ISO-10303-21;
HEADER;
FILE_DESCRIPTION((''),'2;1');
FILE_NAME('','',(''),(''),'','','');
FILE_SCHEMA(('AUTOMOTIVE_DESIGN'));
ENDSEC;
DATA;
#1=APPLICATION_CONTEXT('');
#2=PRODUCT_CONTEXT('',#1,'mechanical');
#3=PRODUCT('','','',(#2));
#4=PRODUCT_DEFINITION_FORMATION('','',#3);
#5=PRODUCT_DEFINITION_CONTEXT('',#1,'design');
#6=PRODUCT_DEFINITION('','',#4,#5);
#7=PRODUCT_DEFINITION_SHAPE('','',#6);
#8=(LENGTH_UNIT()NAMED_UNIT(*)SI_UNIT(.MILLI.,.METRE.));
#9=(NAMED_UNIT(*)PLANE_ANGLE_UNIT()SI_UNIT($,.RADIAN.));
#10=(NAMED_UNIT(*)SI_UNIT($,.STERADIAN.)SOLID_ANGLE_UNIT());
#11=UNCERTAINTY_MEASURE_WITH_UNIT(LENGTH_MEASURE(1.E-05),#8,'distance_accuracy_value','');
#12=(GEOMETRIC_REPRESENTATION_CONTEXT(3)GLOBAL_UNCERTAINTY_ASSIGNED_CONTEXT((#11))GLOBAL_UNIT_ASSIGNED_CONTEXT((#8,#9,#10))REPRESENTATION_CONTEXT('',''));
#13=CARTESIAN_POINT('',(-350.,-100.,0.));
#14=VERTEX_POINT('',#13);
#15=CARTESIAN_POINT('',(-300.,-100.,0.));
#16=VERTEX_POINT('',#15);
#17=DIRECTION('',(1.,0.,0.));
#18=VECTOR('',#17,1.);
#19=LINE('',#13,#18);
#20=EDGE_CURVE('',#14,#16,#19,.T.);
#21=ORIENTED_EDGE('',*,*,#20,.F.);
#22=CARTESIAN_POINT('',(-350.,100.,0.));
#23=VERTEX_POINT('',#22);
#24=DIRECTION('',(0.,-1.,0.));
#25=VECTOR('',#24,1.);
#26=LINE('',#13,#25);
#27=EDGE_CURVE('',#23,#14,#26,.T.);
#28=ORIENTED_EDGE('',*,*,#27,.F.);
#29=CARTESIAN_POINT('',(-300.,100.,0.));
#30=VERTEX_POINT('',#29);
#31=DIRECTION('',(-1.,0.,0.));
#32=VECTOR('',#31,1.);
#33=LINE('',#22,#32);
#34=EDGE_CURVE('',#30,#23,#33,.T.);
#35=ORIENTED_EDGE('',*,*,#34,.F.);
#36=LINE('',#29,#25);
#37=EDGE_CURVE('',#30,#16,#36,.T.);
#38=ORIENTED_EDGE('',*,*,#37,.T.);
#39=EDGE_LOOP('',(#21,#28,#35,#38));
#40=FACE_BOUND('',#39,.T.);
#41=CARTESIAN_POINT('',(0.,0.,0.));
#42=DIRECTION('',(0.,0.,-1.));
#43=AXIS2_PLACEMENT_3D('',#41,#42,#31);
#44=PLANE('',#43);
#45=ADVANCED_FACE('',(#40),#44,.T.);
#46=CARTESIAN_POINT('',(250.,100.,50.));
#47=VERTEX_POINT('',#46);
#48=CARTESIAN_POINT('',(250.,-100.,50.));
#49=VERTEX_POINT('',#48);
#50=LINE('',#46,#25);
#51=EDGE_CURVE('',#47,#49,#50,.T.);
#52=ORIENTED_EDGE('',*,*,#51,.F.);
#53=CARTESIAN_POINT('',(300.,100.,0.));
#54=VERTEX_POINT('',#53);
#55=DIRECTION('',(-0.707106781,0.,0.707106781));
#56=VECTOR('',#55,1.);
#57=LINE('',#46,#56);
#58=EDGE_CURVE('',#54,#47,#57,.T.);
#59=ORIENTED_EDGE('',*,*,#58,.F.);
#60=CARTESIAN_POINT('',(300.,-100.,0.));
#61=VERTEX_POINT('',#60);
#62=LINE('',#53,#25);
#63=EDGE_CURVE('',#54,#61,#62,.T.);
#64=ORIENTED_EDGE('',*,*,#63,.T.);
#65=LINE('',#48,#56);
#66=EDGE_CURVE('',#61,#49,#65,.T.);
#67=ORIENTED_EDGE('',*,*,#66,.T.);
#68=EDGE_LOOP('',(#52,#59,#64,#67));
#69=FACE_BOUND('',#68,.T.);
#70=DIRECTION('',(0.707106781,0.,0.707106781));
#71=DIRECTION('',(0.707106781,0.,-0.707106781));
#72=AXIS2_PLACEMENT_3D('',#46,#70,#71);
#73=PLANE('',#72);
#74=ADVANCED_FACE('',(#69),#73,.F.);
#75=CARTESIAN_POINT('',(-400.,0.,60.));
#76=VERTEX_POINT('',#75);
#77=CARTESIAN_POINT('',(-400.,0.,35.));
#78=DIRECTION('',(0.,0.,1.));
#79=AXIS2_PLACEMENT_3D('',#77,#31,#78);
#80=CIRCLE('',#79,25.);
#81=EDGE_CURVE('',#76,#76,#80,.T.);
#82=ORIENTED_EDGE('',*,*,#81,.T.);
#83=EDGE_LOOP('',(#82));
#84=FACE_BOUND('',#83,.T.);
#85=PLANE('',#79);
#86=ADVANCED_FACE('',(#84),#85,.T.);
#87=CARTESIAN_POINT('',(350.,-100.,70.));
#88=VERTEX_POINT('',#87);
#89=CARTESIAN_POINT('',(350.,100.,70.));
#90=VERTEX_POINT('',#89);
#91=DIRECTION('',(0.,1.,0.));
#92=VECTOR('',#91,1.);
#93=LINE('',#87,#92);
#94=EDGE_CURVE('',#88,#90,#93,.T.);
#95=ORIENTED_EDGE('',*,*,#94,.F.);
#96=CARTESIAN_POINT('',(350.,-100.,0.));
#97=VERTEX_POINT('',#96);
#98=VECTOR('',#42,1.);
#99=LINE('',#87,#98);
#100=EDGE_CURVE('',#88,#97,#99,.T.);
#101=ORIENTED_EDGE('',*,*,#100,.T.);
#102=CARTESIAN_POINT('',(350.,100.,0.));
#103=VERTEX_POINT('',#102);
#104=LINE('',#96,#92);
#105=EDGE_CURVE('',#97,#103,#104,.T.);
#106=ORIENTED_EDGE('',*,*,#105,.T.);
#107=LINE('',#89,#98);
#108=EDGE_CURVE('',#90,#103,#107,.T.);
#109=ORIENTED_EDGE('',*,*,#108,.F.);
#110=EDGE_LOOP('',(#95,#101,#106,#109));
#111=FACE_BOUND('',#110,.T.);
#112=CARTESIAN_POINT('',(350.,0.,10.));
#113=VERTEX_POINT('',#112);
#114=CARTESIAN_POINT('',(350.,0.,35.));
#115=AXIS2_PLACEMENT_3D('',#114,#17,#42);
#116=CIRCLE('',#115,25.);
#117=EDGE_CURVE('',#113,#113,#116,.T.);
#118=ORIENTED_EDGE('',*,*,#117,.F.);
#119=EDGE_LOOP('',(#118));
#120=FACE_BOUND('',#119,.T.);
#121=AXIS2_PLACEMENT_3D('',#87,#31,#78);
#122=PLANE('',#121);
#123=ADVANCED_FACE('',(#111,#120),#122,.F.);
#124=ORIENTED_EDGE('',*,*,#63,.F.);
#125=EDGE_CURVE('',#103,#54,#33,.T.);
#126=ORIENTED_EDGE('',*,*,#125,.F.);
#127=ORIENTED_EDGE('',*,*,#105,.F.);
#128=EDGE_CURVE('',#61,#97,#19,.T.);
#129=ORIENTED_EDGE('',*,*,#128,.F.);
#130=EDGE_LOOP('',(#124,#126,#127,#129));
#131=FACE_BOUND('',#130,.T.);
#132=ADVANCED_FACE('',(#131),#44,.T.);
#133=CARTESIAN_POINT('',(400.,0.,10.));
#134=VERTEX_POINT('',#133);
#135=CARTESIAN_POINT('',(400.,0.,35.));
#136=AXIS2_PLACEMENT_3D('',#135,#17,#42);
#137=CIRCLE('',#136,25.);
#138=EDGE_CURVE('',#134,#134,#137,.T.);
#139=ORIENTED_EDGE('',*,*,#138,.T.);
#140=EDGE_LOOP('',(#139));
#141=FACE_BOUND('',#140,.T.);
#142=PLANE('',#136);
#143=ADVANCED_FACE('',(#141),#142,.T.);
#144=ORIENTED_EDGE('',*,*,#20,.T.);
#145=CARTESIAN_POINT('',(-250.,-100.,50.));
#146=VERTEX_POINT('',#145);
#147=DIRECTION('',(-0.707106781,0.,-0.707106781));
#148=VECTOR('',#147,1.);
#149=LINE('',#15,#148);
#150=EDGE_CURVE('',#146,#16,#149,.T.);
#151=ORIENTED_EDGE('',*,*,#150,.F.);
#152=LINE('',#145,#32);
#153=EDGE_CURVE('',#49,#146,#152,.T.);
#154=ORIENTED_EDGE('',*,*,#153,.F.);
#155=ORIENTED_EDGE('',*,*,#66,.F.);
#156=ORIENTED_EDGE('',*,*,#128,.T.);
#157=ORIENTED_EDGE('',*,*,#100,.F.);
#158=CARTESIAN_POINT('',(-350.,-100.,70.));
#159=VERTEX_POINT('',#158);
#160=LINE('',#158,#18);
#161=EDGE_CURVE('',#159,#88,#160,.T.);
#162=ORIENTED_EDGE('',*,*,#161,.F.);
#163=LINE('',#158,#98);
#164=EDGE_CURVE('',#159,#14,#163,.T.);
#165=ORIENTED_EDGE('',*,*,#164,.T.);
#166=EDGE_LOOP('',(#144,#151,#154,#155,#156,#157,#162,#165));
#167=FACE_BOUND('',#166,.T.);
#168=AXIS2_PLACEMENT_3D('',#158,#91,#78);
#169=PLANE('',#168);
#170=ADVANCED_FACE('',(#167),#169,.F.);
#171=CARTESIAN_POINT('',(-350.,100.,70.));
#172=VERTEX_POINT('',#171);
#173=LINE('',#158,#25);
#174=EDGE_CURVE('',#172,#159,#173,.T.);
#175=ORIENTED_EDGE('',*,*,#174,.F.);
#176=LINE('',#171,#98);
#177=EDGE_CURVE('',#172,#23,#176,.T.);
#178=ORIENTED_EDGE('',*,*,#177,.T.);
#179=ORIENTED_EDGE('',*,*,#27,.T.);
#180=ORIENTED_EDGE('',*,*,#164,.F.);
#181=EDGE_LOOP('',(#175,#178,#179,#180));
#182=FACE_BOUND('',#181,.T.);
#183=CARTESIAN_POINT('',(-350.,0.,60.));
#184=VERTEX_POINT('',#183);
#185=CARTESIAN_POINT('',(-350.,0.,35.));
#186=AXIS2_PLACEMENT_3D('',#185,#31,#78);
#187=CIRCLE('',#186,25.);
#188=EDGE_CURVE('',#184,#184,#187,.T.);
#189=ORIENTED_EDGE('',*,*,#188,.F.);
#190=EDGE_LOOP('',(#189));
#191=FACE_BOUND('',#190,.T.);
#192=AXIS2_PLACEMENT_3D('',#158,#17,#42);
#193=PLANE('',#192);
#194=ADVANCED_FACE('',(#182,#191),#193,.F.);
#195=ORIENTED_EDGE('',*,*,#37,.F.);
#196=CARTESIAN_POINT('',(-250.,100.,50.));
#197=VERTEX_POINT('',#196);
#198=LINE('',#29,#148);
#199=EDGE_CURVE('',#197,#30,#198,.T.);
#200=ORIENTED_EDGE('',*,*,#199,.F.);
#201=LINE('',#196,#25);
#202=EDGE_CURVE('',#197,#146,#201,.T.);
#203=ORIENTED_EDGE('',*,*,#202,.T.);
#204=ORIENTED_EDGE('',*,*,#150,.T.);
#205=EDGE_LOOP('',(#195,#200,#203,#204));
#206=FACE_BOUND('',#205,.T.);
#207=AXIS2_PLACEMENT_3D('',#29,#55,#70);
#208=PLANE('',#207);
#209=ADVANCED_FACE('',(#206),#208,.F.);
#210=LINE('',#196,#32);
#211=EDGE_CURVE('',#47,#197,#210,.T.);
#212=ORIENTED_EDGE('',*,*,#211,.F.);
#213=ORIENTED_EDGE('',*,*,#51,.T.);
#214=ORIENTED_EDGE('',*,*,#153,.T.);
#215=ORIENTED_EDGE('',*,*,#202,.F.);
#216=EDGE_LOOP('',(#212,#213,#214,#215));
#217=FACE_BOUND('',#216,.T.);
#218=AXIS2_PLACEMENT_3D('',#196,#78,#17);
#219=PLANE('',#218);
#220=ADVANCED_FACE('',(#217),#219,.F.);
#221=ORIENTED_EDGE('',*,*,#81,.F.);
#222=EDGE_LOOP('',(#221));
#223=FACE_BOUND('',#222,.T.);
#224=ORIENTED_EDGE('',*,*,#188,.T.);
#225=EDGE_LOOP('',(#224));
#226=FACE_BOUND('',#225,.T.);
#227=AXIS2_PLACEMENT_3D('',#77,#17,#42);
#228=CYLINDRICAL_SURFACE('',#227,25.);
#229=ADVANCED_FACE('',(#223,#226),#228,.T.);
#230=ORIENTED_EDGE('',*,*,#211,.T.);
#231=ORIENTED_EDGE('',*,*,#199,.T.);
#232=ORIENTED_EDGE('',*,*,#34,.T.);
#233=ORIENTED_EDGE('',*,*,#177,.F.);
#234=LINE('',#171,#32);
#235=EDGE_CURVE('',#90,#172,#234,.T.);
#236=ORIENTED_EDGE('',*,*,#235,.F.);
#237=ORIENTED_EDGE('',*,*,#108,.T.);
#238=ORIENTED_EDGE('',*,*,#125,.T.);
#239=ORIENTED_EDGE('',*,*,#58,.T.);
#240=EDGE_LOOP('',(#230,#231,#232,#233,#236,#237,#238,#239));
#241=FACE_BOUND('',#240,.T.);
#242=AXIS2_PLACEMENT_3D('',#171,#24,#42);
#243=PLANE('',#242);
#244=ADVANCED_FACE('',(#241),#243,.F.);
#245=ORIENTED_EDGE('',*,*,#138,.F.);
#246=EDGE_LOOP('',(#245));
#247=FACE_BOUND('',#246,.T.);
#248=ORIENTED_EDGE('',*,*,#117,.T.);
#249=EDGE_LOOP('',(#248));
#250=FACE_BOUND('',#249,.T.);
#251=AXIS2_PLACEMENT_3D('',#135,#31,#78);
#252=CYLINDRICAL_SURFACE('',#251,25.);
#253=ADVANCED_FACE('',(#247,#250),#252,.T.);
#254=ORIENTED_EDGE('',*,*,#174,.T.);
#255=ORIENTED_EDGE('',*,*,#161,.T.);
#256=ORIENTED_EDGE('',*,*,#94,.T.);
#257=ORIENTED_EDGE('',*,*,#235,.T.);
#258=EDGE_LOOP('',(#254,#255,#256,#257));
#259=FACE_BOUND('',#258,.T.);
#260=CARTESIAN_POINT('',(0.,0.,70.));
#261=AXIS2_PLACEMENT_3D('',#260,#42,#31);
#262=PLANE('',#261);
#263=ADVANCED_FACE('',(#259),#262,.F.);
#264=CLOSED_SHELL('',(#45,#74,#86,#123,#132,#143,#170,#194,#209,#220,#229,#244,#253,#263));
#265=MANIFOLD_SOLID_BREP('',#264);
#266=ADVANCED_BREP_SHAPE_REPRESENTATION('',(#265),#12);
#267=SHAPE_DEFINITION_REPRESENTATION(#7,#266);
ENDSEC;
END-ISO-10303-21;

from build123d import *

# Parameters (mm, degrees)
SKETCH1_W           = 700
SKETCH1_H           = 200
BOSS_EXTRUDE1_DEPTH = 70
CUT_EXTRUDE1_DEPTH  = 201
SKETCH3_R           = 25
BOSS_EXTRUDE2_DEPTH = 50
SKETCH4_R           = 25
BOSS_EXTRUDE3_DEPTH = 50


with BuildPart() as part:
    # Sketch1 → Boss-Extrude1 (new body)
    with BuildSketch(Plane.XY):
        Rectangle(SKETCH1_W, SKETCH1_H)
    extrude(amount=BOSS_EXTRUDE1_DEPTH)

    # Sketch2 → Cut-Extrude1 (cut, through all)
    with BuildSketch(Plane.XZ.offset(100)):
        Polygon((-300, 0), (-250, 50), (250, 50), (300, 0), align=None)
    extrude(amount=-CUT_EXTRUDE1_DEPTH, mode=Mode.SUBTRACT)

    # Sketch3 → Boss-Extrude2 (add)
    with BuildSketch(Plane.ZY.offset(350)):
        with Locations((35, 0)):
            Circle(SKETCH3_R)
    extrude(amount=BOSS_EXTRUDE2_DEPTH)

    # Sketch4 → Boss-Extrude3 (add)
    with BuildSketch(Plane(origin=(350, 0, 0), x_dir=(0, 0, -1), z_dir=(1, 0, 0))):
        with Locations((-35, 0)):
            Circle(SKETCH4_R)
    extrude(amount=BOSS_EXTRUDE3_DEPTH)


solid = part.part
